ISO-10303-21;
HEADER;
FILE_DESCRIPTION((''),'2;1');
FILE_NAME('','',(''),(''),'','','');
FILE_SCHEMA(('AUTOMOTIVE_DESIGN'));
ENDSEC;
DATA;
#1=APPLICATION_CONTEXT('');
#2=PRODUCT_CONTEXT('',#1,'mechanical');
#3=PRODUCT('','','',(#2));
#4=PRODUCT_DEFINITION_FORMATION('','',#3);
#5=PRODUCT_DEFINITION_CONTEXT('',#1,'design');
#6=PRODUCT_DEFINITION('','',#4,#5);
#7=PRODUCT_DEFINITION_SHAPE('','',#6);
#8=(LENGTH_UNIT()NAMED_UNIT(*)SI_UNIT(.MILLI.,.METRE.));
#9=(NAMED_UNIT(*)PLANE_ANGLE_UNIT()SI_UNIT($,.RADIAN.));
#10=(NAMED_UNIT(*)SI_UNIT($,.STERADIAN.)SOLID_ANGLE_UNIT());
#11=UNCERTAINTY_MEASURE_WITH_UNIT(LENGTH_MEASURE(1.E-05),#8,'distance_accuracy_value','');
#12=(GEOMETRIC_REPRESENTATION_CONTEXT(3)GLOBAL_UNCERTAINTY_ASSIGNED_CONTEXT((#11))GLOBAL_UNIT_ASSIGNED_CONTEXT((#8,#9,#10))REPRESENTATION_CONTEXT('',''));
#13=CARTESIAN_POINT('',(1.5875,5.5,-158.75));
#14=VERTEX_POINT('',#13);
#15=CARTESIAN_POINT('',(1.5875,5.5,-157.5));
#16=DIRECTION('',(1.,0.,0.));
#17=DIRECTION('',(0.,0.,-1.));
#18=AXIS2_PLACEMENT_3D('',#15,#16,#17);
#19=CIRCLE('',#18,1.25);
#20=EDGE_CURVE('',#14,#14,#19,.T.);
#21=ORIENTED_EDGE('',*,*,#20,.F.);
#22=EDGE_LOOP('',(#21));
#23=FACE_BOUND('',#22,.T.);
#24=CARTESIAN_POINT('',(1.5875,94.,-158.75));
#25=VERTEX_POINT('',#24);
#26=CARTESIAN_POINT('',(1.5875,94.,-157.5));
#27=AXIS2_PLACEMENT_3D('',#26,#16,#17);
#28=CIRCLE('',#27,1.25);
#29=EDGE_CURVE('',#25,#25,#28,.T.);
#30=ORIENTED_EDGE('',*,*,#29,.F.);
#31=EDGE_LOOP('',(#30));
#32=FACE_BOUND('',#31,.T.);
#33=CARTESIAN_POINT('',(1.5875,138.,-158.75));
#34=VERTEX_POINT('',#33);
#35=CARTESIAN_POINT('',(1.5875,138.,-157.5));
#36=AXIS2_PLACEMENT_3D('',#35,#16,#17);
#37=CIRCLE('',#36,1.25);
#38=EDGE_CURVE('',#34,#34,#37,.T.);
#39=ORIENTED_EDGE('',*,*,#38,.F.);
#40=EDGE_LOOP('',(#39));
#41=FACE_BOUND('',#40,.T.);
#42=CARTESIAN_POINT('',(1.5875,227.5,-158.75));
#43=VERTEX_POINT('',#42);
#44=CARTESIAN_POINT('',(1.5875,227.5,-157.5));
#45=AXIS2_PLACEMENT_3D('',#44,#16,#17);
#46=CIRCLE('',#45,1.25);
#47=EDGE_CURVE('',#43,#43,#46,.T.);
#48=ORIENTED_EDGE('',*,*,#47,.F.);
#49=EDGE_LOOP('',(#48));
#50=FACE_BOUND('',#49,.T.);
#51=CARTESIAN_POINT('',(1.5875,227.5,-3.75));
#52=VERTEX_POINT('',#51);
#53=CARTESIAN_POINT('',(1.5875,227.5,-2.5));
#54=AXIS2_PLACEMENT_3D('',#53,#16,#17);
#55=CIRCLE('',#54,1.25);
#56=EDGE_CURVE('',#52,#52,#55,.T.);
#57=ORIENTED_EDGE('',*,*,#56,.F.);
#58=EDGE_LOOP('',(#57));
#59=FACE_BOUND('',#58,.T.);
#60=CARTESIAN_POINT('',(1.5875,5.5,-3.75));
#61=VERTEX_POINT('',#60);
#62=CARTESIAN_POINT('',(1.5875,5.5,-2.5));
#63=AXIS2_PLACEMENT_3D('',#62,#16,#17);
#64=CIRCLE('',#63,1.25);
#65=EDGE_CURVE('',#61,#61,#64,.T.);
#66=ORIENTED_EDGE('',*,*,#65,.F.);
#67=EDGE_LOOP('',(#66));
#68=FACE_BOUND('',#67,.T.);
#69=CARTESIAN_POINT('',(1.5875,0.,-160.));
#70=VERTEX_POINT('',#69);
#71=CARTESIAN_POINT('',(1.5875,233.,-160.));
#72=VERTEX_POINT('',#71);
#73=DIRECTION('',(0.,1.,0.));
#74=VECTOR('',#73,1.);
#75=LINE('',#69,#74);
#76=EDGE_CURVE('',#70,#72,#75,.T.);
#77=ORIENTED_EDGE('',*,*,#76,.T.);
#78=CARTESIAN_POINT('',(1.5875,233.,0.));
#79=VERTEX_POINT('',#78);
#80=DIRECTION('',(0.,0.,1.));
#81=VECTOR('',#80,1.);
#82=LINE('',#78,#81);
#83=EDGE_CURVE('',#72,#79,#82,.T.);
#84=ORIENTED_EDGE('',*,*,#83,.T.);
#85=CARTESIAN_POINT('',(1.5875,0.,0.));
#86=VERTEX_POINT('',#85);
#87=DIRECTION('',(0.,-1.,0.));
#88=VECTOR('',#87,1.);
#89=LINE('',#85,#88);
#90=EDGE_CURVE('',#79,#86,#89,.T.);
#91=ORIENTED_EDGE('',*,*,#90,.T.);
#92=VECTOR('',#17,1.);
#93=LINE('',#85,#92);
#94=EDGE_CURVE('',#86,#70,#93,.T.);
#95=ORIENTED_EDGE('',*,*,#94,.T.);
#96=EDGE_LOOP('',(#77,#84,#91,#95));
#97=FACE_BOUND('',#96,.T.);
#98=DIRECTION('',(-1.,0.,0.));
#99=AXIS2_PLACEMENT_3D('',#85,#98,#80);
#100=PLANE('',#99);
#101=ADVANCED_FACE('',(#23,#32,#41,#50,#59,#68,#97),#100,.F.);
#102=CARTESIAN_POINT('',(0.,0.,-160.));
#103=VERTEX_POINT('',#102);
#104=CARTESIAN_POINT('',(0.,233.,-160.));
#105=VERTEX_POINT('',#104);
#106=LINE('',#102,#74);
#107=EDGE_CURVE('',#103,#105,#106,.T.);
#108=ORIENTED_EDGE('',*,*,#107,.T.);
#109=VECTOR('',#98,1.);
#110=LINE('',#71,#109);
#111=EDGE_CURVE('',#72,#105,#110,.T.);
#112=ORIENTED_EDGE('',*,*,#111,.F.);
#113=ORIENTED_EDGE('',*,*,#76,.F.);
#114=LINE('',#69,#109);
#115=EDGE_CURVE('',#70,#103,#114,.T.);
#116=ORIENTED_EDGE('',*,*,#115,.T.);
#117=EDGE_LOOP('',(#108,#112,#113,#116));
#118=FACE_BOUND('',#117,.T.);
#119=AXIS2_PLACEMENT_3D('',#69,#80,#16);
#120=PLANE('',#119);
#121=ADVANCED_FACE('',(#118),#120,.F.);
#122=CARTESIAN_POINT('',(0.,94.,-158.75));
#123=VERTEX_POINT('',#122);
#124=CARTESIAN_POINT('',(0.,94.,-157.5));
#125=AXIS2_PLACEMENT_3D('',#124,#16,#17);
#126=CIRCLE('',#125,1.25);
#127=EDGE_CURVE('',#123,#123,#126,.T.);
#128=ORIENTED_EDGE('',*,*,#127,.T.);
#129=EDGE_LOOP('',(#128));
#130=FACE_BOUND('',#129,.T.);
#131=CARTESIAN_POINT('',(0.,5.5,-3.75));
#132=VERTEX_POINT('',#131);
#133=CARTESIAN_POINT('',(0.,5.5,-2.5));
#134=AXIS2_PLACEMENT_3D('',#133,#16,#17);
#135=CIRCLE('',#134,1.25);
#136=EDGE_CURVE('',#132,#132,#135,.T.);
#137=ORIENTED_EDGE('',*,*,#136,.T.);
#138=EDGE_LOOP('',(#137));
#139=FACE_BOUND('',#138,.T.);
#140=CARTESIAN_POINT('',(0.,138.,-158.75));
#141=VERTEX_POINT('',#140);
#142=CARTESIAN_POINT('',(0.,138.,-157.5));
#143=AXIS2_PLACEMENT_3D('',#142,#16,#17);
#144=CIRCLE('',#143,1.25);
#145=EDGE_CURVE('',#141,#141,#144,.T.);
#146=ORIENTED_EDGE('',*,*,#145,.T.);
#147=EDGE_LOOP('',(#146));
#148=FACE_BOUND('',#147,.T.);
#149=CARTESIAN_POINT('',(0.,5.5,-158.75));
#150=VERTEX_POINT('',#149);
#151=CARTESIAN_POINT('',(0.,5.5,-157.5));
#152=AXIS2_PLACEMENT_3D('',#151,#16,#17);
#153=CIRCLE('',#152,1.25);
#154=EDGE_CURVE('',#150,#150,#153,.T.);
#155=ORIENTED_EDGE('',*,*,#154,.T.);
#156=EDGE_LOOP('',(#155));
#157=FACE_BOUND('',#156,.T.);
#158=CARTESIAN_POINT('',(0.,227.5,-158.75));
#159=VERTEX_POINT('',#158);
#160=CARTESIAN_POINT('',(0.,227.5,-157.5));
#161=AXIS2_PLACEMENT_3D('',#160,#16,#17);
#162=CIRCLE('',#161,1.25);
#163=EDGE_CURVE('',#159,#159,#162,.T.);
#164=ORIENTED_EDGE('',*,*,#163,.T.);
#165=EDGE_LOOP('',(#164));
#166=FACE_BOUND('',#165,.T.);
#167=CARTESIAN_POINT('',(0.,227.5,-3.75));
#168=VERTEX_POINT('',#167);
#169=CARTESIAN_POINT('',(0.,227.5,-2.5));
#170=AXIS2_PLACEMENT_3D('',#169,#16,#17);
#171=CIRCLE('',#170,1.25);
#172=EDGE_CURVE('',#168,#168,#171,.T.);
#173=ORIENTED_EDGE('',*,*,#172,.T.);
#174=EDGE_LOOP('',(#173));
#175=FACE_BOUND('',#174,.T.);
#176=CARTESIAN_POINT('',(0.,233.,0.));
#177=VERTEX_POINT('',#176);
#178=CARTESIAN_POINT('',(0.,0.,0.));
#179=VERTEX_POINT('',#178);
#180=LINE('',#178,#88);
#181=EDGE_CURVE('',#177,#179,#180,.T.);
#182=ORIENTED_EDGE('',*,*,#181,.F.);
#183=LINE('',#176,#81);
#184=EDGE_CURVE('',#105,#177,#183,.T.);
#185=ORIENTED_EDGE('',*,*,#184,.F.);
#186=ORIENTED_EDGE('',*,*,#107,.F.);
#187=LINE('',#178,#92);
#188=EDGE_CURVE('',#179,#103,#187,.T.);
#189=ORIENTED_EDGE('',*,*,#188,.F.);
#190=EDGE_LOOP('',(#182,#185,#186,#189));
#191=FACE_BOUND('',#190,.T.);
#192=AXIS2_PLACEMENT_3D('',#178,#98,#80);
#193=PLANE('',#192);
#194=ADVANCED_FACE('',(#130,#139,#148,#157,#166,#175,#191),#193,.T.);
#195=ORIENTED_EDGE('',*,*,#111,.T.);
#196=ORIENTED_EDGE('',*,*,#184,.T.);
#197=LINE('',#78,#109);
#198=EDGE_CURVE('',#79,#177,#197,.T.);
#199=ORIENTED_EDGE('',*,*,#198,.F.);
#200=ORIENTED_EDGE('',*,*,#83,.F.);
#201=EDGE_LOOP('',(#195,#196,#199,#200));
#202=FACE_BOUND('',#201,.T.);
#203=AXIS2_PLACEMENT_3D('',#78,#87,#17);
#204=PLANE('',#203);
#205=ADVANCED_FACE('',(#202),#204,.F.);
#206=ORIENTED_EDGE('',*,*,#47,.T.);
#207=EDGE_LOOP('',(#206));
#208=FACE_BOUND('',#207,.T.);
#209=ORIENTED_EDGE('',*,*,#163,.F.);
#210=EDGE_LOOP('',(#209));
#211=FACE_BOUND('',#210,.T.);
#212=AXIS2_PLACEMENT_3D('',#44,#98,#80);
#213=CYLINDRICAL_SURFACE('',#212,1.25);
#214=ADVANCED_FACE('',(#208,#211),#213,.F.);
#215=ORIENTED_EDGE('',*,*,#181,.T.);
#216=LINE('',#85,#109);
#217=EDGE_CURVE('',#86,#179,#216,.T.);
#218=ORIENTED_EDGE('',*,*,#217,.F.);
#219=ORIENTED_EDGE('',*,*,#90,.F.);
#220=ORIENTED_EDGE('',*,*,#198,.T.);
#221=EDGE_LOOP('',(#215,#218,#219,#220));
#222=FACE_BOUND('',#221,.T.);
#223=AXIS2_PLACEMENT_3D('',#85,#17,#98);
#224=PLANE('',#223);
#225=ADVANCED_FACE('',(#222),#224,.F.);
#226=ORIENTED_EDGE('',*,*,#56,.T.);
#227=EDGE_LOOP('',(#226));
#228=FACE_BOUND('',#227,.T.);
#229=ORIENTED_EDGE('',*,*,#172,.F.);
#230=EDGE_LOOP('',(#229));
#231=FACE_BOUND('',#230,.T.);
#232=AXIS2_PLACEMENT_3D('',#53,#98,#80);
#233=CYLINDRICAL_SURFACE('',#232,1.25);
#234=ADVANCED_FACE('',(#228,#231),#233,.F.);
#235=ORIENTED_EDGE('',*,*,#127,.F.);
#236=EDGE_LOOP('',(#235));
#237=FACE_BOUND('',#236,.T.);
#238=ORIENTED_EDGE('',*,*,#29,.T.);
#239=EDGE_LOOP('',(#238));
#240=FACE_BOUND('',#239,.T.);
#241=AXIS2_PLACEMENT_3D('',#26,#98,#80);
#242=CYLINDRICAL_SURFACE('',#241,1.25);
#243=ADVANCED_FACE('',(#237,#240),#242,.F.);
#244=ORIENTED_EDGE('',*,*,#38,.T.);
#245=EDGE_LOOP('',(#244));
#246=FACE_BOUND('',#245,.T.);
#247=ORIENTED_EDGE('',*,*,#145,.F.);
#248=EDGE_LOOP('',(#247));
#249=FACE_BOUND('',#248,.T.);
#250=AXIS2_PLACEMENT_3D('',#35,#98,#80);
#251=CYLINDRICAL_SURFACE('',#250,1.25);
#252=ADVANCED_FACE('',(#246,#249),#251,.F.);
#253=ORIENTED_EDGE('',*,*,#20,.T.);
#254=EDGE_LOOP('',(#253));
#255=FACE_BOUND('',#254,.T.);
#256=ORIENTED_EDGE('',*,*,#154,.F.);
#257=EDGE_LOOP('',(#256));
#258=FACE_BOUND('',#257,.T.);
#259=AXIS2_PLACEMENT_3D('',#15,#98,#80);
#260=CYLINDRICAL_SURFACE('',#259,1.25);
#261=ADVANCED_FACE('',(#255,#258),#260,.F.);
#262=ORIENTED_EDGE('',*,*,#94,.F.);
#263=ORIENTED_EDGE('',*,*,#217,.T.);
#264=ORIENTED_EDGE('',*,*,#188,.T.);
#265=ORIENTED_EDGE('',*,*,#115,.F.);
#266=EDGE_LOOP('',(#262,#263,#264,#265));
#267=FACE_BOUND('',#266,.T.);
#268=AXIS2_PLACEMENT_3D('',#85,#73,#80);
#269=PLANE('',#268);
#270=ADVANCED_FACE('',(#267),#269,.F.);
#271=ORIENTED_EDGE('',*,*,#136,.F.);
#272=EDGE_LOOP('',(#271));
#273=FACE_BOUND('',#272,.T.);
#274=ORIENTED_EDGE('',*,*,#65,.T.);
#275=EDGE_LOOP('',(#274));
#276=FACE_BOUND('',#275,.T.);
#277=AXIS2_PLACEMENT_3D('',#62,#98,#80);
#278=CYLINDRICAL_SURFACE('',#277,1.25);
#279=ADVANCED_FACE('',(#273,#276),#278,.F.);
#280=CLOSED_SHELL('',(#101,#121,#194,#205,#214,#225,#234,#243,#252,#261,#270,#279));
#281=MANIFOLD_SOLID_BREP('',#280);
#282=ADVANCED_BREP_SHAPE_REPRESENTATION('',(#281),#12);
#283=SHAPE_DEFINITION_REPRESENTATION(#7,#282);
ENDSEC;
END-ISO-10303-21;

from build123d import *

# Parameters (mm, degrees)
SKETCH1_W           = 160
SKETCH1_H           = 233
SKETCH1_R           = 1.25
BOSS_EXTRUDE1_DEPTH = 1.5875


with BuildPart() as part:
    # Sketch1 → Boss-Extrude1 (new body)
    with BuildSketch(Plane(origin=(0, 0, 0), x_dir=(0, 0, -1), z_dir=(1, 0, 0))):
        with Locations((80, 116.5)):
            Rectangle(SKETCH1_W, SKETCH1_H)
        with Locations((2.5, 227.5)):
            Circle(SKETCH1_R, mode=Mode.SUBTRACT)
        with Locations((157.5, 227.5)):
            Circle(SKETCH1_R, mode=Mode.SUBTRACT)
        with Locations((157.5, 5.5)):
            Circle(SKETCH1_R, mode=Mode.SUBTRACT)
        with Locations((2.5, 5.5)):
            Circle(SKETCH1_R, mode=Mode.SUBTRACT)
        with Locations((157.5, 94)):
            Circle(SKETCH1_R, mode=Mode.SUBTRACT)
        with Locations((157.5, 138)):
            Circle(SKETCH1_R, mode=Mode.SUBTRACT)
    extrude(amount=BOSS_EXTRUDE1_DEPTH)


solid = part.part
